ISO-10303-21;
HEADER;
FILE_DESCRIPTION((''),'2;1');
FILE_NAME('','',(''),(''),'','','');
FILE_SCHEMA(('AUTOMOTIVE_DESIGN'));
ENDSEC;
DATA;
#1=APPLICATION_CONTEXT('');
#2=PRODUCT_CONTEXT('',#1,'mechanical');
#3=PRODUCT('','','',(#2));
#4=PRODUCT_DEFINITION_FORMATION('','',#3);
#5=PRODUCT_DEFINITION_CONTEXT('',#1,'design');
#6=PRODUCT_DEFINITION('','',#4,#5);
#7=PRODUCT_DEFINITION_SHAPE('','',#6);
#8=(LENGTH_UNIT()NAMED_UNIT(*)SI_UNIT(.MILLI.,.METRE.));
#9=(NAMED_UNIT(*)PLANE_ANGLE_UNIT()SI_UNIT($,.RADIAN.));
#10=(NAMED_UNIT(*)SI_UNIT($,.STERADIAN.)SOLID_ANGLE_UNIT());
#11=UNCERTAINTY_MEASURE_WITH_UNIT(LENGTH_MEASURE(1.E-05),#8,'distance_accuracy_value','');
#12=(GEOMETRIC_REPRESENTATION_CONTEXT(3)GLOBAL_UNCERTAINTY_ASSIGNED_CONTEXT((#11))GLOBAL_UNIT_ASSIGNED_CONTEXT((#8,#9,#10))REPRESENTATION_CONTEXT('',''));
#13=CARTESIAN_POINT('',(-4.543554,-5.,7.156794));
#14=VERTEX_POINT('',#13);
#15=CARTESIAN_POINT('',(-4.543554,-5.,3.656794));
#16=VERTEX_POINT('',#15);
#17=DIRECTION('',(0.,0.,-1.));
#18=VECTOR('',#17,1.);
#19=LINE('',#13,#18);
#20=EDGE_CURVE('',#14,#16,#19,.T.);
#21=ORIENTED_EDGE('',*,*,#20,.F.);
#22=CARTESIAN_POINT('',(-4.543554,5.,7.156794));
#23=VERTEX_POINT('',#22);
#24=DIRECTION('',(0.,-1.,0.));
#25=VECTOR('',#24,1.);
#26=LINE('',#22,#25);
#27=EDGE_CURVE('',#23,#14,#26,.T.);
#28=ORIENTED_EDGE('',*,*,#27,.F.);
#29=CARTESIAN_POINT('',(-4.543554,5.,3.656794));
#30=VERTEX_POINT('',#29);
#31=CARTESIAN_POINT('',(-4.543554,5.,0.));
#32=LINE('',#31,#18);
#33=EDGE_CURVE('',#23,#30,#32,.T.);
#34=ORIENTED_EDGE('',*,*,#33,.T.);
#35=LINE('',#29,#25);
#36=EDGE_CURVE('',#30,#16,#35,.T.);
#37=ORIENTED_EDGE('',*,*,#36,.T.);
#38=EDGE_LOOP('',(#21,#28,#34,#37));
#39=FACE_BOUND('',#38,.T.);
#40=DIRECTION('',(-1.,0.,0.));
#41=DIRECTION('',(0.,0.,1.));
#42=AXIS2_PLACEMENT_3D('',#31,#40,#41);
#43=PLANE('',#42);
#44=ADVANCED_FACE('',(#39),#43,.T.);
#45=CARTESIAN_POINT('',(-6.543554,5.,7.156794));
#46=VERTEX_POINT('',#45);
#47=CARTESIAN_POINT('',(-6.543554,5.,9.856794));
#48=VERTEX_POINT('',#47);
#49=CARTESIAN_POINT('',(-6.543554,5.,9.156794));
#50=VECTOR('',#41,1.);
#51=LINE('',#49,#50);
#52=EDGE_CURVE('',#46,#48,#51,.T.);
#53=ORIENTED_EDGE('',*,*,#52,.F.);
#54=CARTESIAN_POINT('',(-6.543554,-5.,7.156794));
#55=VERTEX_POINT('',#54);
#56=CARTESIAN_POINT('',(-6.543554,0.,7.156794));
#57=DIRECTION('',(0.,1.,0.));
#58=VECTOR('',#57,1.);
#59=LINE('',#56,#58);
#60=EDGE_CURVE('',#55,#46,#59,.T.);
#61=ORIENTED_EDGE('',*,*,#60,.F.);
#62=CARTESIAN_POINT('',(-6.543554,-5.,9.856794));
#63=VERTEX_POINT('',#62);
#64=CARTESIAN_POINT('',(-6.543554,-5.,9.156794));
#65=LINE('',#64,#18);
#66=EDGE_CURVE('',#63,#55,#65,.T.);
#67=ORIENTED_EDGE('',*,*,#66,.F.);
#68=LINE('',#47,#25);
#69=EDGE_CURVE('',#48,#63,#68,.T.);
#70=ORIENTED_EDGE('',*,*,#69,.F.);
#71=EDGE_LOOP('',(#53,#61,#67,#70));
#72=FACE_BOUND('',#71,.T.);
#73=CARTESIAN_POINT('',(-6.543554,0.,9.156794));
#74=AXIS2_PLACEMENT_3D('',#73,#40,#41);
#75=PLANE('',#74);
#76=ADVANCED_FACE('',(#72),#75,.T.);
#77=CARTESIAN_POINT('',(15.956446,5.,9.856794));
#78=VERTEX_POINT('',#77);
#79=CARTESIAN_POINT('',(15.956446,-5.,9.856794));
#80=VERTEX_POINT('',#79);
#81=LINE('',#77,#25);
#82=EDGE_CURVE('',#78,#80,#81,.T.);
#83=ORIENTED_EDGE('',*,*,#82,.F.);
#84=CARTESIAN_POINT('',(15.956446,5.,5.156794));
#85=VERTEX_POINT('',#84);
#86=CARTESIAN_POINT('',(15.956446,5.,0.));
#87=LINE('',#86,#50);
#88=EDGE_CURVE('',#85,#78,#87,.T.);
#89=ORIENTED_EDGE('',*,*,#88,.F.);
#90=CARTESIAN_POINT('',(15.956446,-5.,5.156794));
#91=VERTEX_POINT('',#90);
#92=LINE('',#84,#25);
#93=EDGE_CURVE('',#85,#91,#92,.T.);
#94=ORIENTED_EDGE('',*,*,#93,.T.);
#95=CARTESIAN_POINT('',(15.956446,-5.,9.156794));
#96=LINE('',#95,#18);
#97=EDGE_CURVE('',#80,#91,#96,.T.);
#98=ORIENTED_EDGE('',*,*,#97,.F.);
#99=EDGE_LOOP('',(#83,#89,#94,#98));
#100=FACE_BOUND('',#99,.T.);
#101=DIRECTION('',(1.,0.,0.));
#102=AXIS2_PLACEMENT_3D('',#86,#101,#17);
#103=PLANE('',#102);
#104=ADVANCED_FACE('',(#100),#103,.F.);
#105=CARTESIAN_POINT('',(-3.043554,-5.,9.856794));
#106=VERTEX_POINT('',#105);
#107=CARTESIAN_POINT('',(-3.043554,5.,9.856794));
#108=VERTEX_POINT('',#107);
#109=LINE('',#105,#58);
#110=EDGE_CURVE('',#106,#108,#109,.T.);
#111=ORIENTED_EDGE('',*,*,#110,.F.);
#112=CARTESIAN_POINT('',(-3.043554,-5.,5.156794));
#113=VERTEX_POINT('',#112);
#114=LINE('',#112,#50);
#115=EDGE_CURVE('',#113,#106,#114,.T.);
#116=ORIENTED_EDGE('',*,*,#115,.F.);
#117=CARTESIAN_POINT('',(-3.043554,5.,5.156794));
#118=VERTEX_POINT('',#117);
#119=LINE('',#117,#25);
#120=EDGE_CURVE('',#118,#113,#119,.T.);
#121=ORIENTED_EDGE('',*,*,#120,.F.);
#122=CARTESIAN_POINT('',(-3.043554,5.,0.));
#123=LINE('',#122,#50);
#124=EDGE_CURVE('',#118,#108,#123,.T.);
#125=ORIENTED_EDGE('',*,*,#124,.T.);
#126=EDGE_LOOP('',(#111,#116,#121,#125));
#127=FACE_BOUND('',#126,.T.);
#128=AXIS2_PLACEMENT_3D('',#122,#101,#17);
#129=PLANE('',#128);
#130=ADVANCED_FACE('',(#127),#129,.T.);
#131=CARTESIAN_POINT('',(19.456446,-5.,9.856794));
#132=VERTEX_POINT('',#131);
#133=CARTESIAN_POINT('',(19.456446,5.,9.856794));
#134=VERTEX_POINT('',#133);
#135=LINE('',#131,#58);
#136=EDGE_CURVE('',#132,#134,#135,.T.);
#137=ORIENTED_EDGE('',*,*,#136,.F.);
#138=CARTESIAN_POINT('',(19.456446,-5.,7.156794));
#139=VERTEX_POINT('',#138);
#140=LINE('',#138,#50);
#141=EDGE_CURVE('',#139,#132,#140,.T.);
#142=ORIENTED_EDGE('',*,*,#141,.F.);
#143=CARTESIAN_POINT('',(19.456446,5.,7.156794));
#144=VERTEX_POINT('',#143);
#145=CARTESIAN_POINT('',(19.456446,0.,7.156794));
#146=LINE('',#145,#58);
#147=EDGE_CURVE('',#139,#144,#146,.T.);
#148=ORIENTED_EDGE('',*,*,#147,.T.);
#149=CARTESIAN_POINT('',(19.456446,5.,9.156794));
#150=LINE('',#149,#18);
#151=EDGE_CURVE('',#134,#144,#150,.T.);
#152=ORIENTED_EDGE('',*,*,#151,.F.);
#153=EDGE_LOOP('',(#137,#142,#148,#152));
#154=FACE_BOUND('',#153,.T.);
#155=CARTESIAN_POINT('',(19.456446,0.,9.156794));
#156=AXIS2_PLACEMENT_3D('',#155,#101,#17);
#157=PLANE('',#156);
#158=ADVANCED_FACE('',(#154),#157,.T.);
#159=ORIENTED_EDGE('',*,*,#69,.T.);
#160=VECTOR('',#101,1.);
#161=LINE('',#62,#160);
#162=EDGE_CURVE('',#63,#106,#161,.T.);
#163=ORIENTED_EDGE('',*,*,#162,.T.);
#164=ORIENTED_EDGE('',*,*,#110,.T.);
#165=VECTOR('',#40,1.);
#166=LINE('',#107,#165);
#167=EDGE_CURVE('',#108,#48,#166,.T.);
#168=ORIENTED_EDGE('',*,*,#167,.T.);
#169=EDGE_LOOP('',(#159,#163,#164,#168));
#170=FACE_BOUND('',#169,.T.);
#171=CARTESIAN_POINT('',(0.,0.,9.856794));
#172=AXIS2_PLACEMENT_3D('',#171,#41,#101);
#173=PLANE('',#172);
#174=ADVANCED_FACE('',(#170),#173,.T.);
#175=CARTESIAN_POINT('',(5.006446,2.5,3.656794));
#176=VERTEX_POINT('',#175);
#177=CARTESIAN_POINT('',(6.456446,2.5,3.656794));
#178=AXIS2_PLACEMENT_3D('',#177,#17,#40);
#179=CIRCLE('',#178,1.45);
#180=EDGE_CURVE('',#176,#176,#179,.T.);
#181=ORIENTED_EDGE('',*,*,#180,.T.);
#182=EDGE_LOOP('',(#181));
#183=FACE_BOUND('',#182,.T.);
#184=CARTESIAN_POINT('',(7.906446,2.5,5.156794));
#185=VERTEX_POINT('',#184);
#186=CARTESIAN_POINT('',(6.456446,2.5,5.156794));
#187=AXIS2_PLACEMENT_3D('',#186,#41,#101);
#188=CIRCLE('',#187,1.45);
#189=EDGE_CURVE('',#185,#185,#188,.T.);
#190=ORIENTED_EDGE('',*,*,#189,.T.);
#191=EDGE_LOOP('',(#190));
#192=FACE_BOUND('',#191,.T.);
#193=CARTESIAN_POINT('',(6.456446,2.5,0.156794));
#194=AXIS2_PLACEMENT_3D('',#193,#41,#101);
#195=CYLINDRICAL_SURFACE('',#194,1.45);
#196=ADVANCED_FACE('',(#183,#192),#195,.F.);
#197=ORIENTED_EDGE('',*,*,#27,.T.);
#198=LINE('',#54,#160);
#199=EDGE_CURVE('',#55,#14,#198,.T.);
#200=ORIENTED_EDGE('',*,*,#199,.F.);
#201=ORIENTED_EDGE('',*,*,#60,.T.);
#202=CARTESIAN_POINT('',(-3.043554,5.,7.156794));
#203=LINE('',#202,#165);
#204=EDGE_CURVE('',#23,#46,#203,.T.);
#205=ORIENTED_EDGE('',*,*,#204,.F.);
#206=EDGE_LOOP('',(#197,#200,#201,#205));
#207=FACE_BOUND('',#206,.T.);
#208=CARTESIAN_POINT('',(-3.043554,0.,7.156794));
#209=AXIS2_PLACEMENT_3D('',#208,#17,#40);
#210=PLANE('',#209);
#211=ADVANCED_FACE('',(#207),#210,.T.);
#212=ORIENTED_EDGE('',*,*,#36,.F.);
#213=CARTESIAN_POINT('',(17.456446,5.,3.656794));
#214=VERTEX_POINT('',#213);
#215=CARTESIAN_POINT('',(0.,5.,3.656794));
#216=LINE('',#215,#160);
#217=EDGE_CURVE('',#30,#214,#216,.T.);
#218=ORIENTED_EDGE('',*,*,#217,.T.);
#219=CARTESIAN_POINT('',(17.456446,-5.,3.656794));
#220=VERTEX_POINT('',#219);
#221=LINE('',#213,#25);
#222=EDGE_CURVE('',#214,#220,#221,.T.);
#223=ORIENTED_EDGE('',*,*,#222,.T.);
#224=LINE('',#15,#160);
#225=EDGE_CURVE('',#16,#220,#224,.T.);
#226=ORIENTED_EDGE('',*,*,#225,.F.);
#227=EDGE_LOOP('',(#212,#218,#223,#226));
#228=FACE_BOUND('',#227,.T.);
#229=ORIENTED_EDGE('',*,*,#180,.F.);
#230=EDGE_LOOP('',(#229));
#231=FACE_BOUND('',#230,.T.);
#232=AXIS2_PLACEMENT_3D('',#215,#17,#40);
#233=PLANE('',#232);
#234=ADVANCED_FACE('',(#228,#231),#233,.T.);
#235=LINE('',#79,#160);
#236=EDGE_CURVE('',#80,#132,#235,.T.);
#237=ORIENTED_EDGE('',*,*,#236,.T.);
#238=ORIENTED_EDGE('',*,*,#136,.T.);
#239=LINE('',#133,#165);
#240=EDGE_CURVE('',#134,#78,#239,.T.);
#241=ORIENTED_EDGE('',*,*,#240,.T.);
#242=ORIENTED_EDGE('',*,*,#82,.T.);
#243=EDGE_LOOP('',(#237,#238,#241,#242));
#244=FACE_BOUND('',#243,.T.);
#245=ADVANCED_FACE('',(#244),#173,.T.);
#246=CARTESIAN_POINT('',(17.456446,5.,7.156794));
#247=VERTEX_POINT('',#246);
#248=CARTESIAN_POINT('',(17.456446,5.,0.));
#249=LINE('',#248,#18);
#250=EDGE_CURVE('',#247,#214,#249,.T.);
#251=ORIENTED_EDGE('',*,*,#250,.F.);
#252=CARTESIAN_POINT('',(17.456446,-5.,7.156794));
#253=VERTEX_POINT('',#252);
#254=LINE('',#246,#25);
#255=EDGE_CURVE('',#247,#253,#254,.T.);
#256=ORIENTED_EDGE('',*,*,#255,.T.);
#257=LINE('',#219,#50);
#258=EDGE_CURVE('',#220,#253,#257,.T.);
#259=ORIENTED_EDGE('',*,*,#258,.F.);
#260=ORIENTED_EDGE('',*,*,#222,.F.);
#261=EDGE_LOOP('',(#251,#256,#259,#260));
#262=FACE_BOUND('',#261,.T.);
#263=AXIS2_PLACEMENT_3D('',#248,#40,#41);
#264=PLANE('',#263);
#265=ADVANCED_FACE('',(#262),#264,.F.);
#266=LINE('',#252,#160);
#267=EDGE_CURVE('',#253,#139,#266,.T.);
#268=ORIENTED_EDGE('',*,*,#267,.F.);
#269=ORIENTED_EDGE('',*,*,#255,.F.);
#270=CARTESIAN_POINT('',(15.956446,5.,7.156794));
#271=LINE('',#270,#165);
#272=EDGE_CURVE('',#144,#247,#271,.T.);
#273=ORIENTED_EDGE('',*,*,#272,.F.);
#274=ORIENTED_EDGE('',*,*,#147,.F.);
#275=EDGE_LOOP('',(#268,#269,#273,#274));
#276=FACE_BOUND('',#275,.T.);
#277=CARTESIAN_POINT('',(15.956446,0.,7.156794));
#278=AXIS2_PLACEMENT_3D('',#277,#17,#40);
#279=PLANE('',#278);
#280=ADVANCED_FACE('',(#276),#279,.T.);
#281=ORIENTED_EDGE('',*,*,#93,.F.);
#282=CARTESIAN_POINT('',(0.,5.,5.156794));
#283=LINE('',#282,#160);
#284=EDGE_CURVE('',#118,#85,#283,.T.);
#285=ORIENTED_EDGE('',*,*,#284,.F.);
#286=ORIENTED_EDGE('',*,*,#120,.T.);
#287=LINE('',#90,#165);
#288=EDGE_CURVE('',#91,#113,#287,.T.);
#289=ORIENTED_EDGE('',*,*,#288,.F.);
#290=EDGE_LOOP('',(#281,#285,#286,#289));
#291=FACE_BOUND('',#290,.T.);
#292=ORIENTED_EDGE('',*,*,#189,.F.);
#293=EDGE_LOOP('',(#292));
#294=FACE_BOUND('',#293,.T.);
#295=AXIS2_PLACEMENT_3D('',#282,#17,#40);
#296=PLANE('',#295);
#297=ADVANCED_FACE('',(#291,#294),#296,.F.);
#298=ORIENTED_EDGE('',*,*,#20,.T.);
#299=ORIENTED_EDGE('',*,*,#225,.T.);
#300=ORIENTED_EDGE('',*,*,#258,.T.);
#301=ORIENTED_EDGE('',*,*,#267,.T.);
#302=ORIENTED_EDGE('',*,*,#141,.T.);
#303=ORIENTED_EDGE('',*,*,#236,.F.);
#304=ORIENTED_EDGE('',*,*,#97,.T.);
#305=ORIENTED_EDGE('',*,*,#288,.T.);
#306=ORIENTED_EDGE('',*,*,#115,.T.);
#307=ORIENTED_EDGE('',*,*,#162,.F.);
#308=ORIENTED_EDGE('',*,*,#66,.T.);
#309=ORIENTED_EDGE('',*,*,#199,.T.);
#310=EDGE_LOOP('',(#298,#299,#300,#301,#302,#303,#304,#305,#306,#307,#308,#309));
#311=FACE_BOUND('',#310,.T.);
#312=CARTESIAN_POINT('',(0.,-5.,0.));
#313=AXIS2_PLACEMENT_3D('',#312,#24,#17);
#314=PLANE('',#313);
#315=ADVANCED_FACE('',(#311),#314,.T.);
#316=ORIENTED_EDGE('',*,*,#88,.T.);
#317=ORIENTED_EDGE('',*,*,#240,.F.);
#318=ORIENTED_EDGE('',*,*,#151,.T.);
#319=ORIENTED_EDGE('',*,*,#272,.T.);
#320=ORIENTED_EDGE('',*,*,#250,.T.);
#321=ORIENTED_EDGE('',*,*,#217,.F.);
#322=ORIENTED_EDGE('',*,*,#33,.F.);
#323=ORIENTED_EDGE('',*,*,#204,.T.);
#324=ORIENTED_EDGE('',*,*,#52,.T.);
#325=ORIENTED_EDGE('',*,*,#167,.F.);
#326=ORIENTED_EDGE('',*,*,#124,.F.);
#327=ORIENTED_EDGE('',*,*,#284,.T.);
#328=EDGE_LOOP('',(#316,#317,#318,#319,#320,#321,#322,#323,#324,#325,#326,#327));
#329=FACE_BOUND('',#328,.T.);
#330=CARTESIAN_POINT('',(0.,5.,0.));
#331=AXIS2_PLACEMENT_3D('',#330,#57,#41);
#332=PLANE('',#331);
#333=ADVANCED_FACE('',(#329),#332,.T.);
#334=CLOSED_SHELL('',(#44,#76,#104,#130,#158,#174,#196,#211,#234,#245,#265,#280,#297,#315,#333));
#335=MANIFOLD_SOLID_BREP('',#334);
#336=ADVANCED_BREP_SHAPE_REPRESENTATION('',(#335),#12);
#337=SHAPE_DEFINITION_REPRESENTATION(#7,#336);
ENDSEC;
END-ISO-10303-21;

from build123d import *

# Parameters (mm, degrees)
SKETCH1_W           = 19
SKETCH1_H           = 1.5
SKETCH1_W_2         = 1.5
SKETCH1_H_2         = 4
BOSS_EXTRUDE1_DEPTH = 5
SKETCH2_W           = 3.5
SKETCH2_H           = 2
BOSS_EXTRUDE2_DEPTH = 5
SKETCH3_R           = 1.45
CUT_EXTRUDE1_DEPTH  = 5
BOSS_EXTRUDE3_DEPTH = 5
SKETCH5_W           = 3.5
SKETCH5_H           = 10
BOSS_EXTRUDE4_DEPTH = 0.7


with BuildPart() as part:
    # Sketch1 → Boss-Extrude1 (new body)
    with BuildSketch(Plane(origin=(0, 0, 0), x_dir=(1, 0, 0), z_dir=(0, 1, 0))):
        with Locations((6.456445993, -4.406794425)):
            Rectangle(SKETCH1_W, SKETCH1_H)
        with Locations((-3.793554007, -4.406794425)):
            Rectangle(SKETCH1_W_2, SKETCH1_H)
        with Locations((-3.793554007, -7.156794425)):
            Rectangle(SKETCH1_W_2, SKETCH1_H_2)
        with Locations((16.706445993, -4.406794425)):
            Rectangle(SKETCH1_W_2, SKETCH1_H)
        with Locations((16.706445993, -7.156794425)):
            Rectangle(SKETCH1_W_2, SKETCH1_H_2)
    extrude(amount=BOSS_EXTRUDE1_DEPTH)

    # Sketch2 → Boss-Extrude2 (add)
    with BuildSketch(Plane(origin=(0, 5, 0), x_dir=(1, 0, 0), z_dir=(0, 1, 0))):
        with Locations((-4.793554007, -8.156794425)):
            Rectangle(SKETCH2_W, SKETCH2_H)
        with Locations((17.706445993, -8.156794425)):
            Rectangle(SKETCH2_W, SKETCH2_H)
    extrude(amount=-BOSS_EXTRUDE2_DEPTH)

    # Sketch3 → Cut-Extrude1 (cut)
    with BuildSketch(Plane.XY.offset(5.156794425)):
        with Locations((6.456445993, 2.5)):
            Circle(SKETCH3_R)
    extrude(amount=-CUT_EXTRUDE1_DEPTH, mode=Mode.SUBTRACT)

    # Sketch4 → Boss-Extrude3 (add)
    with BuildSketch(Plane.XZ):
        Polygon((17.456445993, 3.656794425), (17.456445993, 7.156794425), (19.456445993, 7.156794425), (19.456445993, 9.156794425), (15.956445993, 9.156794425), (15.956445993, 5.156794425), (-3.043554007, 5.156794425), (-3.043554007, 9.156794425), (-6.543554007, 9.156794425), (-6.543554007, 7.156794425), (-4.543554007, 7.156794425), (-4.543554007, 3.656794425), align=None)
    extrude(amount=BOSS_EXTRUDE3_DEPTH)

    # Sketch5 → Boss-Extrude4 (add)
    with BuildSketch(Plane.XY.offset(9.156794425)):
        with Locations((17.706445993, 0)):
            Rectangle(SKETCH5_W, SKETCH5_H)
        with Locations((-4.793554007, 0)):
            Rectangle(SKETCH5_W, SKETCH5_H)
    extrude(amount=BOSS_EXTRUDE4_DEPTH)


solid = part.part
